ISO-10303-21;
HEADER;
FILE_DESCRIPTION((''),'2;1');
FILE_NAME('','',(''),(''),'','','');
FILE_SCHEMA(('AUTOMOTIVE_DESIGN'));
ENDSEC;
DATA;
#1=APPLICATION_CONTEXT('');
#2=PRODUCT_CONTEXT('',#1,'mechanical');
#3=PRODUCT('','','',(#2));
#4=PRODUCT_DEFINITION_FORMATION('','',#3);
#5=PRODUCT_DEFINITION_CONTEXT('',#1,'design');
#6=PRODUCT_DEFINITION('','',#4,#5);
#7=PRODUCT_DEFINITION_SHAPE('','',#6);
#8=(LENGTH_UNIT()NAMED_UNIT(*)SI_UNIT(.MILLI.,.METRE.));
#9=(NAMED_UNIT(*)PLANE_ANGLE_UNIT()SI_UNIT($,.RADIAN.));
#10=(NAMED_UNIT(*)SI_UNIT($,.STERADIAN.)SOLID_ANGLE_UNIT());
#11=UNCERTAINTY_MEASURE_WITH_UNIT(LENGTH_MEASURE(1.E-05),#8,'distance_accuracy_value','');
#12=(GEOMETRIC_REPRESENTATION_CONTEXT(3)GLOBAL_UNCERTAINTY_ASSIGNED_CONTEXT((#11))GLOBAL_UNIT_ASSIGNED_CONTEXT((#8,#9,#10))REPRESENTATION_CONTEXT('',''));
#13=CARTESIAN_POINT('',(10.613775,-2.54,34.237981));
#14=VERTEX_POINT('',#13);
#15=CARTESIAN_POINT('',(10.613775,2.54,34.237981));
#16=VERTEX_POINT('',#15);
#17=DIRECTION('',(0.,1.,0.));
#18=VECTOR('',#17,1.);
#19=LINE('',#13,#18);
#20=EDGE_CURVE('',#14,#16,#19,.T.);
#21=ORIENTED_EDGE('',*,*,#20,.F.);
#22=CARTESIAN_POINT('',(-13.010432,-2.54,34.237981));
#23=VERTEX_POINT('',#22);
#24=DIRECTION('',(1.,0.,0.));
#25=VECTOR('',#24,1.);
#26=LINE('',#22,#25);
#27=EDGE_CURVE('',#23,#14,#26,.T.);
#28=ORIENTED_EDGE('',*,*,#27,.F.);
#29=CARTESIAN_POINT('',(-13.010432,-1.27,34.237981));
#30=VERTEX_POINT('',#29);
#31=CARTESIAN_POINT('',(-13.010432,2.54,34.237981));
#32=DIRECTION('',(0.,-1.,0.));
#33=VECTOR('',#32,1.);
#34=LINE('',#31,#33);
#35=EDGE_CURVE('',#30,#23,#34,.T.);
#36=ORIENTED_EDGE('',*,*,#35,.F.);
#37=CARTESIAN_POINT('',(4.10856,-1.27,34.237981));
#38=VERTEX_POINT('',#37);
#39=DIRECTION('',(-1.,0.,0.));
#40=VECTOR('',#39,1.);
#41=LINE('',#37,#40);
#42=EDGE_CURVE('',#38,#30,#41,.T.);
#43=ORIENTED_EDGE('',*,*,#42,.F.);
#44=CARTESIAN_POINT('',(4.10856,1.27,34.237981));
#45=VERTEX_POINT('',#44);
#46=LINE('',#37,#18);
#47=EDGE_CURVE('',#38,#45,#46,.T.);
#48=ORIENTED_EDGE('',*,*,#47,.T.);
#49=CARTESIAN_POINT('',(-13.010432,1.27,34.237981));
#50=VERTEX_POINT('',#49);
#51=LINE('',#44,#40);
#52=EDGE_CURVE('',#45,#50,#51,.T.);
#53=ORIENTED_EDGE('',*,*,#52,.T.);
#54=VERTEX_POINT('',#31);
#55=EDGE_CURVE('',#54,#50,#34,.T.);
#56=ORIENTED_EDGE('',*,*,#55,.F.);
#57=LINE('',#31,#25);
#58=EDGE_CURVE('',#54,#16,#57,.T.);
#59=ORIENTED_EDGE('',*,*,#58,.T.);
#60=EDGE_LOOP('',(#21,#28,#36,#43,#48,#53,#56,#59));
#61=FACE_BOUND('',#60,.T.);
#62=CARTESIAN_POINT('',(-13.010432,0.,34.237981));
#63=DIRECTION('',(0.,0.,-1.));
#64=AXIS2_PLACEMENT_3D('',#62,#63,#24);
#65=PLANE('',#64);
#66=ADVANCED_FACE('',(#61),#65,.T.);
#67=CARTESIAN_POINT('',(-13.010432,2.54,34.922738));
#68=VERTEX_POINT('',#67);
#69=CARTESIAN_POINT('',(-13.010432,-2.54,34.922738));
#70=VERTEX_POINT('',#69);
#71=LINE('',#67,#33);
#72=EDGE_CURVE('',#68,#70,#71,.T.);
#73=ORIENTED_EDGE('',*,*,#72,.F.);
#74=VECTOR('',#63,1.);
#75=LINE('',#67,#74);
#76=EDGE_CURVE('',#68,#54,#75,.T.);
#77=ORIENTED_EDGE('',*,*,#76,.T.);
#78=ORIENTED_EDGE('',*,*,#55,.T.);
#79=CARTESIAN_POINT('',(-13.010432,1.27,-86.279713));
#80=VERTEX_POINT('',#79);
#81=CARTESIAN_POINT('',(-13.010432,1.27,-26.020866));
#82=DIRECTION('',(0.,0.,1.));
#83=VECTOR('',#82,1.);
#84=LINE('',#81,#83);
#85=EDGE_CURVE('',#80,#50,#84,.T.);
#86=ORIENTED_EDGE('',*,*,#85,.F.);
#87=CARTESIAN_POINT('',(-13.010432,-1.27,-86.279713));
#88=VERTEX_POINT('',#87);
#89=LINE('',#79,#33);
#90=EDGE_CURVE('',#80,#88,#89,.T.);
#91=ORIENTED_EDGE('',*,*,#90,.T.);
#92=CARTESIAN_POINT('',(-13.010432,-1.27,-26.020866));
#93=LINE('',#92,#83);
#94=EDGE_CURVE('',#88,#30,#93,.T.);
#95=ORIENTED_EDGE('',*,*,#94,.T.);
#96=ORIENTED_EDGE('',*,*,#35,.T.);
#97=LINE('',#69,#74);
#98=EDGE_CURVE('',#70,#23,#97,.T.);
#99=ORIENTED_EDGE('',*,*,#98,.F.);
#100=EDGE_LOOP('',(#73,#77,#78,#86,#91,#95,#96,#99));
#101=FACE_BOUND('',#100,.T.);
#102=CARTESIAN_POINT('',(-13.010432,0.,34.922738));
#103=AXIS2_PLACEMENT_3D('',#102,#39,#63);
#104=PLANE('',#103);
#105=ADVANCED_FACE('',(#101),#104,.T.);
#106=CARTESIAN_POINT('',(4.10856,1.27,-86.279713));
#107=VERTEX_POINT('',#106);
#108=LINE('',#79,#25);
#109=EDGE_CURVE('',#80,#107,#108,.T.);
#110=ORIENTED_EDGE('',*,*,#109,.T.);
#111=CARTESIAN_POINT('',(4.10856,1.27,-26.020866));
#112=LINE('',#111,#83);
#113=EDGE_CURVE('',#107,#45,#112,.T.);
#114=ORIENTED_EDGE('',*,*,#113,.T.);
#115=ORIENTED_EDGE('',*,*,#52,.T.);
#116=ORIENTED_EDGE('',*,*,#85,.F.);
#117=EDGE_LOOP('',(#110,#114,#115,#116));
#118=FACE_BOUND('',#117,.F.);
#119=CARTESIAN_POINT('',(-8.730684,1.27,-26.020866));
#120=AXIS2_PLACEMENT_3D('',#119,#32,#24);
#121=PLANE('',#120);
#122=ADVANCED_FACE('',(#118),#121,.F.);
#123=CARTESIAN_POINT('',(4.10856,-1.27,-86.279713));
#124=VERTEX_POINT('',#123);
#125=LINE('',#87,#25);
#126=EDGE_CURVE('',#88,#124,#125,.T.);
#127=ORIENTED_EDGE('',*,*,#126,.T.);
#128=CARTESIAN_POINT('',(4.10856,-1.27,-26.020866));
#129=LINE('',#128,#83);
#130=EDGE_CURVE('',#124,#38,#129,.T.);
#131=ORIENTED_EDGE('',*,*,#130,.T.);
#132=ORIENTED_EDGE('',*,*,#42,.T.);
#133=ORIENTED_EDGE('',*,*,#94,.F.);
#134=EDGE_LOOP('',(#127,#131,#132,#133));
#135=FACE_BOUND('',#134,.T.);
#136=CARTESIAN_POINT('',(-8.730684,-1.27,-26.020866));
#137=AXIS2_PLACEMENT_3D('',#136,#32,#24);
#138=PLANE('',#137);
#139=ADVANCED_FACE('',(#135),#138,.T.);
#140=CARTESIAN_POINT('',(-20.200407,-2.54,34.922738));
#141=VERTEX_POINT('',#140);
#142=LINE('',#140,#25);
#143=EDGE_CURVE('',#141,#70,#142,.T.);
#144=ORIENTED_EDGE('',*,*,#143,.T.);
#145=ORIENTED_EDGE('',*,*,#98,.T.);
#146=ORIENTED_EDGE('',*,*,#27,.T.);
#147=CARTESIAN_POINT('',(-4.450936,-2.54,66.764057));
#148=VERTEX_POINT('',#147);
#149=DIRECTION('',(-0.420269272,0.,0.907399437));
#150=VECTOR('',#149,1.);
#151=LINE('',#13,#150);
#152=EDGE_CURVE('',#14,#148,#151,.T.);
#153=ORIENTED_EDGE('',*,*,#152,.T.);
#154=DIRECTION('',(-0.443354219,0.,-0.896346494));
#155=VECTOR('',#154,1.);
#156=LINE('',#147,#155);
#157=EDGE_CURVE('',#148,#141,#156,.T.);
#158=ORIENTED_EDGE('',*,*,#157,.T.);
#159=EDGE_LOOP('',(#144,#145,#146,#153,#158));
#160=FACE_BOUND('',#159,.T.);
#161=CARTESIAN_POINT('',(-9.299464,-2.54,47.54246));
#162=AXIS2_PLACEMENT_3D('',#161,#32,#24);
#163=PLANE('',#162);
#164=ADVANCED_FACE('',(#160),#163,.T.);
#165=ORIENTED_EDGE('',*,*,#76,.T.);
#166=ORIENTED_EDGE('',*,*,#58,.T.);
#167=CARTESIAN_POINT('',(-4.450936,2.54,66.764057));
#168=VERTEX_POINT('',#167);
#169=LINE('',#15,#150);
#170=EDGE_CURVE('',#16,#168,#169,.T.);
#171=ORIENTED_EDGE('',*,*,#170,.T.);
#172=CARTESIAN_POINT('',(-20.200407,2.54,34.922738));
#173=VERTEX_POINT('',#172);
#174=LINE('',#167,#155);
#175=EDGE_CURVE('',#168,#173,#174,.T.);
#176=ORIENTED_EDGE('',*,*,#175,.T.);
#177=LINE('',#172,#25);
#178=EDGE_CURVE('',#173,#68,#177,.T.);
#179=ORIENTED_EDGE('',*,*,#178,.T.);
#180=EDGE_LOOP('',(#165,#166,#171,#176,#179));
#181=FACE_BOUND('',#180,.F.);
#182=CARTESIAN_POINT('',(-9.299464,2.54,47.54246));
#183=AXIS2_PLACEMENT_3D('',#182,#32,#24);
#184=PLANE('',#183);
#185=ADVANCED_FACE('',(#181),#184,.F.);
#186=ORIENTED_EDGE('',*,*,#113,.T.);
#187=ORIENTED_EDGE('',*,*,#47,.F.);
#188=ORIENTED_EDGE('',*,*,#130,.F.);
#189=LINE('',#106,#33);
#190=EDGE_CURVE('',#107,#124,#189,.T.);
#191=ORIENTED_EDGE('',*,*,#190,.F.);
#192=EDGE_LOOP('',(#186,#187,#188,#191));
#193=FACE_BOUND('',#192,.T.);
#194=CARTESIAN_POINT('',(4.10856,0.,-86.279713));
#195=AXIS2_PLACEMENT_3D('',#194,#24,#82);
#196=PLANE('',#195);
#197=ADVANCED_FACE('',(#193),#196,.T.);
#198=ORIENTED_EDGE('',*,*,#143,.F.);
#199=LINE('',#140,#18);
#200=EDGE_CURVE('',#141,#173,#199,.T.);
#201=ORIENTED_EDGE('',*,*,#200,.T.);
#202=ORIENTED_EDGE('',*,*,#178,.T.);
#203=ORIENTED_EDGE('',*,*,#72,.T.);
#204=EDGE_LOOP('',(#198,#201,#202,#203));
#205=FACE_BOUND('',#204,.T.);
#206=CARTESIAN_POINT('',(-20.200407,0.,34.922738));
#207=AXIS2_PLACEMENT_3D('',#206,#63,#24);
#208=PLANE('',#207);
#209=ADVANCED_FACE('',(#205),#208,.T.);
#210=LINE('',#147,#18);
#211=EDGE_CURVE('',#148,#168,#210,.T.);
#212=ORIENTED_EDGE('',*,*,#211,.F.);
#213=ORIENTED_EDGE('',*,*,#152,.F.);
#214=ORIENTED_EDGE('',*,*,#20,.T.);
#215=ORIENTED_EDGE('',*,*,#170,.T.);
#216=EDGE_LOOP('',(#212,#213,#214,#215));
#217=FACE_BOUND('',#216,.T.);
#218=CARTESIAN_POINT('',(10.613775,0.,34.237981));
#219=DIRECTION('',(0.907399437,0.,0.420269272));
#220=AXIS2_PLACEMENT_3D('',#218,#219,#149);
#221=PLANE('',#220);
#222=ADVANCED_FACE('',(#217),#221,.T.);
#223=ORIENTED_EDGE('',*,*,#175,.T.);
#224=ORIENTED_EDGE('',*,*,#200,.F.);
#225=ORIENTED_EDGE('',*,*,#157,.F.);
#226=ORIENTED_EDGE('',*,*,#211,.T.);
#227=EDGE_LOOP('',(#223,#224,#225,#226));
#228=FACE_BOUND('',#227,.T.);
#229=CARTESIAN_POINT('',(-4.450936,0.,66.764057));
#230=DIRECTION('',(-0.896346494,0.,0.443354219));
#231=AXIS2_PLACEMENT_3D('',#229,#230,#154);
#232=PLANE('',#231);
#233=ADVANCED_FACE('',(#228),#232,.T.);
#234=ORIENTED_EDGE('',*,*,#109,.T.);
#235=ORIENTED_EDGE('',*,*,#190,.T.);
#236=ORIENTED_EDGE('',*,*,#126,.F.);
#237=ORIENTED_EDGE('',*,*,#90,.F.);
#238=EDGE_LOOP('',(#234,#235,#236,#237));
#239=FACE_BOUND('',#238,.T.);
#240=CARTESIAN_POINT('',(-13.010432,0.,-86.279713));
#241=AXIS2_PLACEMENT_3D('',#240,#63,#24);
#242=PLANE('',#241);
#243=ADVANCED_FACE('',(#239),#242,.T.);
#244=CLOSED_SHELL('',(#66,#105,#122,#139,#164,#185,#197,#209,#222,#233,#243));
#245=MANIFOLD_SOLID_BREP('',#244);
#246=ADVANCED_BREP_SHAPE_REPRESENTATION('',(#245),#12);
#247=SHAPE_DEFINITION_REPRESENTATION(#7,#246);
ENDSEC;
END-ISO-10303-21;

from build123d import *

# Parameters (mm, degrees)
F0_W     = 8.559496
F0_H     = 120.517694
F1_DEPTH = 1.27
F2_DEPTH = 2.54


with BuildPart() as f1:
    # F0 (on Front) → F1 (new body, symmetric)
    with BuildSketch(Plane.XZ):
        with Locations((-8.730684, -26.020866)):
            Rectangle(F0_W, F0_H)
        with Locations((-0.171188, -26.020866)):
            Rectangle(F0_W, F0_H)
    extrude(amount=F1_DEPTH, both=True)

    # F0 (on Front) → F2 (join, symmetric)
    with BuildSketch(Plane.XZ):
        Polygon((-20.200407, 34.922738), (-13.010432, 34.922738), (-13.010432, 34.237981), (-4.450936, 34.237981), (-4.450936, 66.764057), align=None)
        Polygon((-4.450936, 66.764057), (-4.450936, 34.237981), (4.10856, 34.237981), (10.613775, 34.237981), align=None)
    extrude(amount=F2_DEPTH, both=True)


solid = f1.part
